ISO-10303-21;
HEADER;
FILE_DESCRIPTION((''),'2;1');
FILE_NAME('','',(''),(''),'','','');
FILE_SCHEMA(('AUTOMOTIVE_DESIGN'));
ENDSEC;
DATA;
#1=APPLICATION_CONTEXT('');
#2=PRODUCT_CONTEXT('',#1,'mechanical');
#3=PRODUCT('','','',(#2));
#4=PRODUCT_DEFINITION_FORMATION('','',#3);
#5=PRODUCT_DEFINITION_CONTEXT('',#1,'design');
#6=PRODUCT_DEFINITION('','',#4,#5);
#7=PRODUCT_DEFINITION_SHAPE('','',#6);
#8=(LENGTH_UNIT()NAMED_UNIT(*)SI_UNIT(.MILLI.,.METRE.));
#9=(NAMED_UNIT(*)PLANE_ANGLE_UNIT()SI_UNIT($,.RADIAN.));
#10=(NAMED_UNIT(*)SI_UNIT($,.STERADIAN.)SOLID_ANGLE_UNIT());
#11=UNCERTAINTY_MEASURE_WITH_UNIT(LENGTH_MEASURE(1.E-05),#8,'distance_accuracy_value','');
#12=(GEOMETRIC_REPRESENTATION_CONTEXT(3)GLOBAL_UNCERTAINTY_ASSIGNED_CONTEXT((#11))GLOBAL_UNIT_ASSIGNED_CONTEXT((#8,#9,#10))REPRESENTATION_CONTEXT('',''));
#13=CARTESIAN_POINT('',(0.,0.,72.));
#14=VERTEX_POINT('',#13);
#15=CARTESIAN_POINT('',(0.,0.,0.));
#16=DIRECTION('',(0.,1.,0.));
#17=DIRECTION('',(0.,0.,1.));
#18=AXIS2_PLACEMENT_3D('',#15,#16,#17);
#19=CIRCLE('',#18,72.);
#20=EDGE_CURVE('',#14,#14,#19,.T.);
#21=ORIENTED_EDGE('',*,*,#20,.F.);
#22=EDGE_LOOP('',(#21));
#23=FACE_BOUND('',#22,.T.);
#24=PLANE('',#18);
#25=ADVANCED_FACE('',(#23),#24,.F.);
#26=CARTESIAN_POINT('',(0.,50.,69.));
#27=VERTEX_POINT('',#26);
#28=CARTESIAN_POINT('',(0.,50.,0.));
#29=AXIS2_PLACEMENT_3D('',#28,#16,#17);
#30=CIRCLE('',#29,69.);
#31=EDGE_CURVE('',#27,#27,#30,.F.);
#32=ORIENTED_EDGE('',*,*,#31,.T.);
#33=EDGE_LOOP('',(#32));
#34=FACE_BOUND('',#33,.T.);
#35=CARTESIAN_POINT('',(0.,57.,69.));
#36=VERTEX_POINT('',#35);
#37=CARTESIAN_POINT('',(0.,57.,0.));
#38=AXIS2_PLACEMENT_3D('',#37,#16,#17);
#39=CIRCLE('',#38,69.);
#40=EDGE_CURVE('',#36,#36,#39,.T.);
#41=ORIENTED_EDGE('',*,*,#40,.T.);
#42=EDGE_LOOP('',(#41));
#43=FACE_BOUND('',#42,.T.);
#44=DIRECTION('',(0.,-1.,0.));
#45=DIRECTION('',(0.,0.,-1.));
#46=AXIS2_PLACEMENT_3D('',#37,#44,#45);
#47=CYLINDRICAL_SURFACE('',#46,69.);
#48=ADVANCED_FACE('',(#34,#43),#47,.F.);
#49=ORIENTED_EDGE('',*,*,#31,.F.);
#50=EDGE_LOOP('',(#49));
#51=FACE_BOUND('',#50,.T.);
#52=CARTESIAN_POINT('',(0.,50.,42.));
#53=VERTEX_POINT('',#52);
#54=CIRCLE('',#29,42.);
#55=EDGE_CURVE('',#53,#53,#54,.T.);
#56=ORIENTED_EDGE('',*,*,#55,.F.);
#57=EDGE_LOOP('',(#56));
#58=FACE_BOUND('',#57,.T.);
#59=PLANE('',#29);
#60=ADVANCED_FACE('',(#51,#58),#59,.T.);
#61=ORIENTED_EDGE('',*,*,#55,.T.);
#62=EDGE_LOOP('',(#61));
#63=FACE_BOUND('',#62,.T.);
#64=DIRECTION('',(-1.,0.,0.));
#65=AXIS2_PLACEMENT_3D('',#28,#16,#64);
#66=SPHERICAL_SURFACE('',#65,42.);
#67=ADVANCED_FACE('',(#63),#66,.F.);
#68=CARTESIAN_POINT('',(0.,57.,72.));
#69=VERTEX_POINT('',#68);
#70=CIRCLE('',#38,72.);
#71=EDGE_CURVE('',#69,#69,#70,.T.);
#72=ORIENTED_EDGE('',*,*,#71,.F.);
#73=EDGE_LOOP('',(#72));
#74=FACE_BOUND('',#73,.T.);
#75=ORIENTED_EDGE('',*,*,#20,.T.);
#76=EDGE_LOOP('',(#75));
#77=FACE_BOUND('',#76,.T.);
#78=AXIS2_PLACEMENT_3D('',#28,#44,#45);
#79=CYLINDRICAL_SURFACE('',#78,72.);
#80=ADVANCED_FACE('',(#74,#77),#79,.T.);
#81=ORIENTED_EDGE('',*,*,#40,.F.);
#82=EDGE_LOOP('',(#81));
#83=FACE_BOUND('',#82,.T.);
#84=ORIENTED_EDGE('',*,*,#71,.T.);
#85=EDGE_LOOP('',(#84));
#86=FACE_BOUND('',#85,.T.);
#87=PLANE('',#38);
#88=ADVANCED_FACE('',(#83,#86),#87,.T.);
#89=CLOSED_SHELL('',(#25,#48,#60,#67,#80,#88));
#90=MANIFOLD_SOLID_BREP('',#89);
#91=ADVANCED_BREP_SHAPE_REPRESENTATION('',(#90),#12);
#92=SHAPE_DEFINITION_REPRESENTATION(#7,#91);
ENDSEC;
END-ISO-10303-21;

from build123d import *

# Parameters (mm, degrees)
SKETCH1_R           = 72
BOSS_EXTRUDE4_DEPTH = 50
SKETCH5_R           = 72
SKETCH5_R_2         = 69
BOSS_EXTRUDE5_DEPTH = 7


with BuildPart() as part:
    # Sketch1 → Boss-Extrude4 (new body)
    with BuildSketch(Plane(origin=(0, 0, 0), x_dir=(1, 0, 0), z_dir=(0, 1, 0))):
        with Locations(Location((0, 0, 0), (0, 0, 270))):
            Circle(SKETCH1_R)
    extrude(amount=BOSS_EXTRUDE4_DEPTH)

    # Sketch4 → Cut-Revolve2 (revolve, cut)
    with BuildSketch(Plane.XY, mode=Mode.PRIVATE) as cut_revolve2_sk:
        with BuildLine():
            Line((0, 50), (42, 50))
            ThreePointArc((42, 50), (29.69848481, 20.30151519), (0, 8))
            Line((0, 8), (0, 50))
        make_face()
    revolve(cut_revolve2_sk.sketch.rotate(Axis((0, 50, 0), (0, -1, 0)), 180), axis=Axis((0, 50, 0), (0, -1, 0)), mode=Mode.SUBTRACT)

    # Sketch5 → Boss-Extrude5 (add)
    with BuildSketch(Plane(origin=(0, 50, 0), x_dir=(1, 0, 0), z_dir=(0, 1, 0))):
        with Locations(Location((0, 0, 0), (0, 0, 270))):
            Circle(SKETCH5_R)
        with Locations(Location((0, 0, 0), (0, 0, 270))):
            Circle(SKETCH5_R_2, mode=Mode.SUBTRACT)
    extrude(amount=BOSS_EXTRUDE5_DEPTH)


solid = part.part
